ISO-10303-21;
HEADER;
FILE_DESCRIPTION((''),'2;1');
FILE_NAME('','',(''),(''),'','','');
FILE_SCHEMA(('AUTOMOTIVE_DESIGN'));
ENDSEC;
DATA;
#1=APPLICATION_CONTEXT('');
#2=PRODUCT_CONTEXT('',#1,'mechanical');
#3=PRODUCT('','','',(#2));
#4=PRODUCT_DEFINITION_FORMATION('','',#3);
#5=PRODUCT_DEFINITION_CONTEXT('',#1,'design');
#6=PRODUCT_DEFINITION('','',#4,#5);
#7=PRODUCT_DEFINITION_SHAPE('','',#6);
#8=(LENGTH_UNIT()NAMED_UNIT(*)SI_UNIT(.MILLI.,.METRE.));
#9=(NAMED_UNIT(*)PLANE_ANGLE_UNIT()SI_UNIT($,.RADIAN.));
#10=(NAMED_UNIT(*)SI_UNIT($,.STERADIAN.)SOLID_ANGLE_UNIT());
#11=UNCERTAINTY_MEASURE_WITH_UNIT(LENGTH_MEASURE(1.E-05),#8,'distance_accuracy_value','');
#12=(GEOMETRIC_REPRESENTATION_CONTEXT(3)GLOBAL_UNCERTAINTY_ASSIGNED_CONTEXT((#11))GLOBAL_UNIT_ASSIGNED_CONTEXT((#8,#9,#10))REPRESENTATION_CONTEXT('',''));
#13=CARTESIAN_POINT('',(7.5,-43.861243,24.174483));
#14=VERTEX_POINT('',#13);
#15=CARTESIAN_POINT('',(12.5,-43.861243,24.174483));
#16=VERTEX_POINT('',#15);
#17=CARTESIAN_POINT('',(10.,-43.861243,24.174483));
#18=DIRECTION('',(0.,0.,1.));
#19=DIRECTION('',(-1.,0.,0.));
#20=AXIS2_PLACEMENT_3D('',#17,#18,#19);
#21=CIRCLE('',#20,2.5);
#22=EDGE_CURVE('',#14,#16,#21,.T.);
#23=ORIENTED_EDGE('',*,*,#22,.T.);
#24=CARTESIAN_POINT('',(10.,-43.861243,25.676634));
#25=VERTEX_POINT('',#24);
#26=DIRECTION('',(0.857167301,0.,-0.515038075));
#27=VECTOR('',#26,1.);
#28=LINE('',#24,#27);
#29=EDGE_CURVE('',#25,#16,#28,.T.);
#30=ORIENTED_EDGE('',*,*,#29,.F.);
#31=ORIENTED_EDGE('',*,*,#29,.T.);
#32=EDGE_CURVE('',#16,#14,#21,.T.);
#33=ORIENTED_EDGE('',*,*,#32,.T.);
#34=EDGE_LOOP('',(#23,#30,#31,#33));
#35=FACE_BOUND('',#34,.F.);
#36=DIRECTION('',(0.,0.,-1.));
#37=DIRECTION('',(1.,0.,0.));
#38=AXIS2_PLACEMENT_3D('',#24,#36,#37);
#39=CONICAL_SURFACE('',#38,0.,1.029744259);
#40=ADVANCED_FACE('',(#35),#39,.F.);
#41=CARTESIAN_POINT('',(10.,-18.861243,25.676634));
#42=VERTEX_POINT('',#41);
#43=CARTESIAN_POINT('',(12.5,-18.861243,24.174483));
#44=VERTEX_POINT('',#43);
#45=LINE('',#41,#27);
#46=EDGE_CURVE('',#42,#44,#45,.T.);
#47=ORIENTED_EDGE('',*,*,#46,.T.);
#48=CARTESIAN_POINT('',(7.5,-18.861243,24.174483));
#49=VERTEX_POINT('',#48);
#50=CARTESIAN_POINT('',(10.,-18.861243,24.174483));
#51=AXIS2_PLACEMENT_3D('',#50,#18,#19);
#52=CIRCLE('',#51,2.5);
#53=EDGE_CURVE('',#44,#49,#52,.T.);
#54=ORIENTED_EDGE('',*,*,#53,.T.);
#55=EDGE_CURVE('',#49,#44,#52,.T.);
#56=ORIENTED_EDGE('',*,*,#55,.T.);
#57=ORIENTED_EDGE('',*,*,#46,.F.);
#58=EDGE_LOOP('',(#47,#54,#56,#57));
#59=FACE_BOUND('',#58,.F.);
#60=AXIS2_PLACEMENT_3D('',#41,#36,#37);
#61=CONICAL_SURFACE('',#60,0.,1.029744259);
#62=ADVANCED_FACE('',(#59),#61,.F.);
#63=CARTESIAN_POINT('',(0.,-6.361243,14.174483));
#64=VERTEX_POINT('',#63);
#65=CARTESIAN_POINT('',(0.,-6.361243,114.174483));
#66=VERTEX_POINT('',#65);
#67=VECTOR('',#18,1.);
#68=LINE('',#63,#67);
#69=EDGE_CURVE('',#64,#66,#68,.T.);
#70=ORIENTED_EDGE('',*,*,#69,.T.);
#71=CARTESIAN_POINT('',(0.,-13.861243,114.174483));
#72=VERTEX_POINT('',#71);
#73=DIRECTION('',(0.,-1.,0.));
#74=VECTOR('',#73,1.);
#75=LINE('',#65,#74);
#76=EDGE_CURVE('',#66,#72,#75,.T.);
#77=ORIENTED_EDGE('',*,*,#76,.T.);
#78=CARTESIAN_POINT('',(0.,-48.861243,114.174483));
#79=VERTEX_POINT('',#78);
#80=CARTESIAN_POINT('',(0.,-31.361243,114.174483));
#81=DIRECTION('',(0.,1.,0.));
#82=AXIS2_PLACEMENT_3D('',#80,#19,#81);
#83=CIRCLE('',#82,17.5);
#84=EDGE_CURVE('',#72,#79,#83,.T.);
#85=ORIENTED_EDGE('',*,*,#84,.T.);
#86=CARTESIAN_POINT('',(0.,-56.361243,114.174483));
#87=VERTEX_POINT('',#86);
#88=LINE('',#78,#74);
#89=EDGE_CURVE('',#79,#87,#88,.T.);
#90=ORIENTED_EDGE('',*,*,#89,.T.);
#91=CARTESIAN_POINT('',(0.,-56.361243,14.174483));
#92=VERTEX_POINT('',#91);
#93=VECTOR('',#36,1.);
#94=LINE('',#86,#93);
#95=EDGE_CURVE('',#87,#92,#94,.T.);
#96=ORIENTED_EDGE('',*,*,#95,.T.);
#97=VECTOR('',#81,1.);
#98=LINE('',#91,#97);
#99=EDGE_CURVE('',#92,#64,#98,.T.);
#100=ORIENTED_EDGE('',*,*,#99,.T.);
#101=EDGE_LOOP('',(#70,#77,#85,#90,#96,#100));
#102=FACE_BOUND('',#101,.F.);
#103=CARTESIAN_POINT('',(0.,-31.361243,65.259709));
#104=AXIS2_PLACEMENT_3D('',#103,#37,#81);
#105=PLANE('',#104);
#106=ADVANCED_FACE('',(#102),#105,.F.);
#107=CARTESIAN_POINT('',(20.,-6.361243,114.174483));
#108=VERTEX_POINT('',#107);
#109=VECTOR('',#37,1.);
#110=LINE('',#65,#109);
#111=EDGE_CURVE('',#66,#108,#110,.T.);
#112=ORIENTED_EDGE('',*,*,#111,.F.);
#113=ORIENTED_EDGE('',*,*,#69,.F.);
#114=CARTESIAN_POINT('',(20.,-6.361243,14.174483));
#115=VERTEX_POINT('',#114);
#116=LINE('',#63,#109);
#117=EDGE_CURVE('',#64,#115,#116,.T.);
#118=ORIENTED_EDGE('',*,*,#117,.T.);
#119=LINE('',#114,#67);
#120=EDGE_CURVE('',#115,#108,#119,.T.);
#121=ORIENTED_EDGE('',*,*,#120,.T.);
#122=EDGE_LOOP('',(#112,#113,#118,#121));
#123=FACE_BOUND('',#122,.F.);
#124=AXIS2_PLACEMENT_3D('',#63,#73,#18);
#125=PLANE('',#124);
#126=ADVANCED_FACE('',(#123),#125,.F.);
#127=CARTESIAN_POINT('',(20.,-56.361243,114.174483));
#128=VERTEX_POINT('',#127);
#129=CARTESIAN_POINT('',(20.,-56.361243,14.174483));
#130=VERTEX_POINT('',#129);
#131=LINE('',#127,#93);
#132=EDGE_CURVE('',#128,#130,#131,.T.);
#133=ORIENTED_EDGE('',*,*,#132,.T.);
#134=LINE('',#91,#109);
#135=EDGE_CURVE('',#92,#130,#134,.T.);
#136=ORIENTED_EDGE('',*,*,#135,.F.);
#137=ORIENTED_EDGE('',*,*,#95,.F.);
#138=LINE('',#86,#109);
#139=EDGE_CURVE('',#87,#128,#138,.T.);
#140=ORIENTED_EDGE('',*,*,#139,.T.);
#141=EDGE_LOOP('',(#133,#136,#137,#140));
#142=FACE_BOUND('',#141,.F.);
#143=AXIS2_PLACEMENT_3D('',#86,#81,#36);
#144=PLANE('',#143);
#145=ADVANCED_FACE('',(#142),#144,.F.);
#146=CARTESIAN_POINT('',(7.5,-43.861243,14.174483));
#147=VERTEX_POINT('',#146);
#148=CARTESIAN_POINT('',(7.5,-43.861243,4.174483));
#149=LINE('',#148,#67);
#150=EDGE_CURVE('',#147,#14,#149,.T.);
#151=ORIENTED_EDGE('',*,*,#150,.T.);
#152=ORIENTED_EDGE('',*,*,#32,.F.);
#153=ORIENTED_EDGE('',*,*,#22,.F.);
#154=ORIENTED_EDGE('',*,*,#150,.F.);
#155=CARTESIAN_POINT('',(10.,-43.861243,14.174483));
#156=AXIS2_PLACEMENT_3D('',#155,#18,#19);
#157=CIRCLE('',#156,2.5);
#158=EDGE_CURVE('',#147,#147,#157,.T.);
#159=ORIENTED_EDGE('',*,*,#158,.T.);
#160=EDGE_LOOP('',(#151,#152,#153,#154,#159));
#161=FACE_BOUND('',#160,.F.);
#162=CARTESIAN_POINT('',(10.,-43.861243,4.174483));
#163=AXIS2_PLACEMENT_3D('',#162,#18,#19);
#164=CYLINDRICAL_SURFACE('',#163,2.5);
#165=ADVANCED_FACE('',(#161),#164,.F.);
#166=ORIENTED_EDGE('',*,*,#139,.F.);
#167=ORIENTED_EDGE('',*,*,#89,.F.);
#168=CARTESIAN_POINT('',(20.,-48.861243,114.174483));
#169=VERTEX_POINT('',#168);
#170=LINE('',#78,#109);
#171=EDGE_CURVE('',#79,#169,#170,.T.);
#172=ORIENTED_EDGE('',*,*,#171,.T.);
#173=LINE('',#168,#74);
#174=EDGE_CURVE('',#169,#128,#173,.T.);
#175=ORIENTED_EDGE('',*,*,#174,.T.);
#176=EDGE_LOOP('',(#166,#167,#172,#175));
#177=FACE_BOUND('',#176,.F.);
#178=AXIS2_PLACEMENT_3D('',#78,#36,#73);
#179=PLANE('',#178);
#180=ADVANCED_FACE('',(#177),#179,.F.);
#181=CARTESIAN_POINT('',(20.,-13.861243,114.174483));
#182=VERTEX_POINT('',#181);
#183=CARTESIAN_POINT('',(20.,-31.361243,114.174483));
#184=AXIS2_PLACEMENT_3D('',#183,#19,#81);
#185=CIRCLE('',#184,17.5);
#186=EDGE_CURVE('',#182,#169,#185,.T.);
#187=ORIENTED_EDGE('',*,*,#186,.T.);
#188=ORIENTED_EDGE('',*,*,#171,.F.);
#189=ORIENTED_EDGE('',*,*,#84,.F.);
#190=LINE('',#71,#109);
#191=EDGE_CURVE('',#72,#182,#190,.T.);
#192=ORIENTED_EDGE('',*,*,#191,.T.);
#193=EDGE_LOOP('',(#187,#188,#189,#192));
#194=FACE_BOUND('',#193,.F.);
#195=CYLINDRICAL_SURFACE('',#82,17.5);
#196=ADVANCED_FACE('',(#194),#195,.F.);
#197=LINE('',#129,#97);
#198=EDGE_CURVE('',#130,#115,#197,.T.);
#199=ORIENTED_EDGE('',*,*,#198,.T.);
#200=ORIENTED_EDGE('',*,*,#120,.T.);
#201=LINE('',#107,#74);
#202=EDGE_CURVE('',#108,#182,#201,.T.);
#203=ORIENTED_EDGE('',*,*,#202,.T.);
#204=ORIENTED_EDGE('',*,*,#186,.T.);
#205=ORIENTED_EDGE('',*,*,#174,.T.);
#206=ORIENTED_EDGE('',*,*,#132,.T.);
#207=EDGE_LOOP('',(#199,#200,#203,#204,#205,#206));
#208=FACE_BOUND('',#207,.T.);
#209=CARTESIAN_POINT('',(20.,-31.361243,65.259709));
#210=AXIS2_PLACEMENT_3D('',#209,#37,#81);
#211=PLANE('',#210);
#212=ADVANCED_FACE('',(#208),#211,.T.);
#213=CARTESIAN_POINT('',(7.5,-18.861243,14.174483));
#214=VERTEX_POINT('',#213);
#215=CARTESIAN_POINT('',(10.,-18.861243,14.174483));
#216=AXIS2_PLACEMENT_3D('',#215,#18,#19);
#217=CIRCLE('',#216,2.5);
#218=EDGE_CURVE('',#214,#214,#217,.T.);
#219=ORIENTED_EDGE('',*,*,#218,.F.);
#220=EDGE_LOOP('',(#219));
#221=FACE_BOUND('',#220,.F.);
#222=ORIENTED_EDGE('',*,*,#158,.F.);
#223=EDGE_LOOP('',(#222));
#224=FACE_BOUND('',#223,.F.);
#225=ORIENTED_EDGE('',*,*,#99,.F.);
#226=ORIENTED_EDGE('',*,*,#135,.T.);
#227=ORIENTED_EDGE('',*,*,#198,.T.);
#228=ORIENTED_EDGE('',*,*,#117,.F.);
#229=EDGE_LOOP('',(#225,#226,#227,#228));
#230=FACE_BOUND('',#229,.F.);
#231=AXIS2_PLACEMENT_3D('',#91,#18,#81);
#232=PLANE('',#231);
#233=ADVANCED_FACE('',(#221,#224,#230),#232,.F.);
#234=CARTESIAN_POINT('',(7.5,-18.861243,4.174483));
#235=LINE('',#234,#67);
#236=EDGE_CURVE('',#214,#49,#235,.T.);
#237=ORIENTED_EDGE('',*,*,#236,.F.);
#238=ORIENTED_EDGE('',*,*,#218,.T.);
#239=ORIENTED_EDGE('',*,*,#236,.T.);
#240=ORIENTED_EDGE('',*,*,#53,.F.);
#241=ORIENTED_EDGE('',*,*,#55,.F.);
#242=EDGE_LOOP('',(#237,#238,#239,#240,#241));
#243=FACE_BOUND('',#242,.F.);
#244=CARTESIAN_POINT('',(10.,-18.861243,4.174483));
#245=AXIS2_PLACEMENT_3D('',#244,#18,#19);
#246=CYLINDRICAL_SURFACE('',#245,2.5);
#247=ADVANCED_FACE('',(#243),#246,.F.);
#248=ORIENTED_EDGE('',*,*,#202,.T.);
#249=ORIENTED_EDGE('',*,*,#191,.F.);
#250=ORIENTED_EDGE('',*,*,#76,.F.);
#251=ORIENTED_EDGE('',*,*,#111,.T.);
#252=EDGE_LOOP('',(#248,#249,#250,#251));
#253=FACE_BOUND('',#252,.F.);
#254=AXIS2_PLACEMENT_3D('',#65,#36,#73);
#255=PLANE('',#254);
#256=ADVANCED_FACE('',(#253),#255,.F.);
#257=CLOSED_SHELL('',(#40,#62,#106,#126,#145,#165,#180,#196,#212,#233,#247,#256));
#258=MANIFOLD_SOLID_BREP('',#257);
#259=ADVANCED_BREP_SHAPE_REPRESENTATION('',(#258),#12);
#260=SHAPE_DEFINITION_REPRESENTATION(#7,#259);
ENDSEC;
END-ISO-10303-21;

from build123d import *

# Parameters (mm, degrees)
F1_DEPTH = 20
F3_D     = 5
F3_DEPTH = 10
F3_TIP   = 1.5021515476
F4_D     = 5
F4_DEPTH = 10
F4_TIP   = 1.5021515476


with BuildPart() as f1:
    # F0 (on Right) → F1 (new body)
    with BuildSketch(Plane.YZ):
        with BuildLine():
            Line((-56.3612431288, 114.1744827852), (-56.3612431288, 14.1744827852))
            Line((-56.3612431288, 14.1744827852), (-6.3612431288, 14.1744827852))
            Line((-6.3612431288, 14.1744827852), (-6.3612431288, 114.1744827852))
            Line((-6.3612431288, 114.1744827852), (-13.8612431288, 114.1744827852))
            ThreePointArc((-13.8612431288, 114.1744827852), (-31.3612431288, 96.6744827852), (-48.8612431288, 114.1744827852))
            Line((-48.8612431288, 114.1744827852), (-56.3612431288, 114.1744827852))
        make_face()
    extrude(amount=F1_DEPTH)

    # F3
    with Locations(Plane(origin=(0, 0, 14.1744827852), x_dir=(1, 0, 0), z_dir=(0, 0, -1))):
        with Locations((10, 43.8612431288)):
            Hole(F3_D / 2, depth=F3_DEPTH)
            with Locations((0, 0, -(F3_DEPTH + F3_TIP / 2))):  # 118° drill point
                Cone(0, F3_D / 2, F3_TIP, mode=Mode.SUBTRACT)

    # F4
    with Locations(Plane(origin=(0, 0, 14.1744827852), x_dir=(1, 0, 0), z_dir=(0, 0, -1))):
        with Locations((10, 18.8612431288)):
            Hole(F4_D / 2, depth=F4_DEPTH)
            with Locations((0, 0, -(F4_DEPTH + F4_TIP / 2))):  # 118° drill point
                Cone(0, F4_D / 2, F4_TIP, mode=Mode.SUBTRACT)


solid = f1.part
